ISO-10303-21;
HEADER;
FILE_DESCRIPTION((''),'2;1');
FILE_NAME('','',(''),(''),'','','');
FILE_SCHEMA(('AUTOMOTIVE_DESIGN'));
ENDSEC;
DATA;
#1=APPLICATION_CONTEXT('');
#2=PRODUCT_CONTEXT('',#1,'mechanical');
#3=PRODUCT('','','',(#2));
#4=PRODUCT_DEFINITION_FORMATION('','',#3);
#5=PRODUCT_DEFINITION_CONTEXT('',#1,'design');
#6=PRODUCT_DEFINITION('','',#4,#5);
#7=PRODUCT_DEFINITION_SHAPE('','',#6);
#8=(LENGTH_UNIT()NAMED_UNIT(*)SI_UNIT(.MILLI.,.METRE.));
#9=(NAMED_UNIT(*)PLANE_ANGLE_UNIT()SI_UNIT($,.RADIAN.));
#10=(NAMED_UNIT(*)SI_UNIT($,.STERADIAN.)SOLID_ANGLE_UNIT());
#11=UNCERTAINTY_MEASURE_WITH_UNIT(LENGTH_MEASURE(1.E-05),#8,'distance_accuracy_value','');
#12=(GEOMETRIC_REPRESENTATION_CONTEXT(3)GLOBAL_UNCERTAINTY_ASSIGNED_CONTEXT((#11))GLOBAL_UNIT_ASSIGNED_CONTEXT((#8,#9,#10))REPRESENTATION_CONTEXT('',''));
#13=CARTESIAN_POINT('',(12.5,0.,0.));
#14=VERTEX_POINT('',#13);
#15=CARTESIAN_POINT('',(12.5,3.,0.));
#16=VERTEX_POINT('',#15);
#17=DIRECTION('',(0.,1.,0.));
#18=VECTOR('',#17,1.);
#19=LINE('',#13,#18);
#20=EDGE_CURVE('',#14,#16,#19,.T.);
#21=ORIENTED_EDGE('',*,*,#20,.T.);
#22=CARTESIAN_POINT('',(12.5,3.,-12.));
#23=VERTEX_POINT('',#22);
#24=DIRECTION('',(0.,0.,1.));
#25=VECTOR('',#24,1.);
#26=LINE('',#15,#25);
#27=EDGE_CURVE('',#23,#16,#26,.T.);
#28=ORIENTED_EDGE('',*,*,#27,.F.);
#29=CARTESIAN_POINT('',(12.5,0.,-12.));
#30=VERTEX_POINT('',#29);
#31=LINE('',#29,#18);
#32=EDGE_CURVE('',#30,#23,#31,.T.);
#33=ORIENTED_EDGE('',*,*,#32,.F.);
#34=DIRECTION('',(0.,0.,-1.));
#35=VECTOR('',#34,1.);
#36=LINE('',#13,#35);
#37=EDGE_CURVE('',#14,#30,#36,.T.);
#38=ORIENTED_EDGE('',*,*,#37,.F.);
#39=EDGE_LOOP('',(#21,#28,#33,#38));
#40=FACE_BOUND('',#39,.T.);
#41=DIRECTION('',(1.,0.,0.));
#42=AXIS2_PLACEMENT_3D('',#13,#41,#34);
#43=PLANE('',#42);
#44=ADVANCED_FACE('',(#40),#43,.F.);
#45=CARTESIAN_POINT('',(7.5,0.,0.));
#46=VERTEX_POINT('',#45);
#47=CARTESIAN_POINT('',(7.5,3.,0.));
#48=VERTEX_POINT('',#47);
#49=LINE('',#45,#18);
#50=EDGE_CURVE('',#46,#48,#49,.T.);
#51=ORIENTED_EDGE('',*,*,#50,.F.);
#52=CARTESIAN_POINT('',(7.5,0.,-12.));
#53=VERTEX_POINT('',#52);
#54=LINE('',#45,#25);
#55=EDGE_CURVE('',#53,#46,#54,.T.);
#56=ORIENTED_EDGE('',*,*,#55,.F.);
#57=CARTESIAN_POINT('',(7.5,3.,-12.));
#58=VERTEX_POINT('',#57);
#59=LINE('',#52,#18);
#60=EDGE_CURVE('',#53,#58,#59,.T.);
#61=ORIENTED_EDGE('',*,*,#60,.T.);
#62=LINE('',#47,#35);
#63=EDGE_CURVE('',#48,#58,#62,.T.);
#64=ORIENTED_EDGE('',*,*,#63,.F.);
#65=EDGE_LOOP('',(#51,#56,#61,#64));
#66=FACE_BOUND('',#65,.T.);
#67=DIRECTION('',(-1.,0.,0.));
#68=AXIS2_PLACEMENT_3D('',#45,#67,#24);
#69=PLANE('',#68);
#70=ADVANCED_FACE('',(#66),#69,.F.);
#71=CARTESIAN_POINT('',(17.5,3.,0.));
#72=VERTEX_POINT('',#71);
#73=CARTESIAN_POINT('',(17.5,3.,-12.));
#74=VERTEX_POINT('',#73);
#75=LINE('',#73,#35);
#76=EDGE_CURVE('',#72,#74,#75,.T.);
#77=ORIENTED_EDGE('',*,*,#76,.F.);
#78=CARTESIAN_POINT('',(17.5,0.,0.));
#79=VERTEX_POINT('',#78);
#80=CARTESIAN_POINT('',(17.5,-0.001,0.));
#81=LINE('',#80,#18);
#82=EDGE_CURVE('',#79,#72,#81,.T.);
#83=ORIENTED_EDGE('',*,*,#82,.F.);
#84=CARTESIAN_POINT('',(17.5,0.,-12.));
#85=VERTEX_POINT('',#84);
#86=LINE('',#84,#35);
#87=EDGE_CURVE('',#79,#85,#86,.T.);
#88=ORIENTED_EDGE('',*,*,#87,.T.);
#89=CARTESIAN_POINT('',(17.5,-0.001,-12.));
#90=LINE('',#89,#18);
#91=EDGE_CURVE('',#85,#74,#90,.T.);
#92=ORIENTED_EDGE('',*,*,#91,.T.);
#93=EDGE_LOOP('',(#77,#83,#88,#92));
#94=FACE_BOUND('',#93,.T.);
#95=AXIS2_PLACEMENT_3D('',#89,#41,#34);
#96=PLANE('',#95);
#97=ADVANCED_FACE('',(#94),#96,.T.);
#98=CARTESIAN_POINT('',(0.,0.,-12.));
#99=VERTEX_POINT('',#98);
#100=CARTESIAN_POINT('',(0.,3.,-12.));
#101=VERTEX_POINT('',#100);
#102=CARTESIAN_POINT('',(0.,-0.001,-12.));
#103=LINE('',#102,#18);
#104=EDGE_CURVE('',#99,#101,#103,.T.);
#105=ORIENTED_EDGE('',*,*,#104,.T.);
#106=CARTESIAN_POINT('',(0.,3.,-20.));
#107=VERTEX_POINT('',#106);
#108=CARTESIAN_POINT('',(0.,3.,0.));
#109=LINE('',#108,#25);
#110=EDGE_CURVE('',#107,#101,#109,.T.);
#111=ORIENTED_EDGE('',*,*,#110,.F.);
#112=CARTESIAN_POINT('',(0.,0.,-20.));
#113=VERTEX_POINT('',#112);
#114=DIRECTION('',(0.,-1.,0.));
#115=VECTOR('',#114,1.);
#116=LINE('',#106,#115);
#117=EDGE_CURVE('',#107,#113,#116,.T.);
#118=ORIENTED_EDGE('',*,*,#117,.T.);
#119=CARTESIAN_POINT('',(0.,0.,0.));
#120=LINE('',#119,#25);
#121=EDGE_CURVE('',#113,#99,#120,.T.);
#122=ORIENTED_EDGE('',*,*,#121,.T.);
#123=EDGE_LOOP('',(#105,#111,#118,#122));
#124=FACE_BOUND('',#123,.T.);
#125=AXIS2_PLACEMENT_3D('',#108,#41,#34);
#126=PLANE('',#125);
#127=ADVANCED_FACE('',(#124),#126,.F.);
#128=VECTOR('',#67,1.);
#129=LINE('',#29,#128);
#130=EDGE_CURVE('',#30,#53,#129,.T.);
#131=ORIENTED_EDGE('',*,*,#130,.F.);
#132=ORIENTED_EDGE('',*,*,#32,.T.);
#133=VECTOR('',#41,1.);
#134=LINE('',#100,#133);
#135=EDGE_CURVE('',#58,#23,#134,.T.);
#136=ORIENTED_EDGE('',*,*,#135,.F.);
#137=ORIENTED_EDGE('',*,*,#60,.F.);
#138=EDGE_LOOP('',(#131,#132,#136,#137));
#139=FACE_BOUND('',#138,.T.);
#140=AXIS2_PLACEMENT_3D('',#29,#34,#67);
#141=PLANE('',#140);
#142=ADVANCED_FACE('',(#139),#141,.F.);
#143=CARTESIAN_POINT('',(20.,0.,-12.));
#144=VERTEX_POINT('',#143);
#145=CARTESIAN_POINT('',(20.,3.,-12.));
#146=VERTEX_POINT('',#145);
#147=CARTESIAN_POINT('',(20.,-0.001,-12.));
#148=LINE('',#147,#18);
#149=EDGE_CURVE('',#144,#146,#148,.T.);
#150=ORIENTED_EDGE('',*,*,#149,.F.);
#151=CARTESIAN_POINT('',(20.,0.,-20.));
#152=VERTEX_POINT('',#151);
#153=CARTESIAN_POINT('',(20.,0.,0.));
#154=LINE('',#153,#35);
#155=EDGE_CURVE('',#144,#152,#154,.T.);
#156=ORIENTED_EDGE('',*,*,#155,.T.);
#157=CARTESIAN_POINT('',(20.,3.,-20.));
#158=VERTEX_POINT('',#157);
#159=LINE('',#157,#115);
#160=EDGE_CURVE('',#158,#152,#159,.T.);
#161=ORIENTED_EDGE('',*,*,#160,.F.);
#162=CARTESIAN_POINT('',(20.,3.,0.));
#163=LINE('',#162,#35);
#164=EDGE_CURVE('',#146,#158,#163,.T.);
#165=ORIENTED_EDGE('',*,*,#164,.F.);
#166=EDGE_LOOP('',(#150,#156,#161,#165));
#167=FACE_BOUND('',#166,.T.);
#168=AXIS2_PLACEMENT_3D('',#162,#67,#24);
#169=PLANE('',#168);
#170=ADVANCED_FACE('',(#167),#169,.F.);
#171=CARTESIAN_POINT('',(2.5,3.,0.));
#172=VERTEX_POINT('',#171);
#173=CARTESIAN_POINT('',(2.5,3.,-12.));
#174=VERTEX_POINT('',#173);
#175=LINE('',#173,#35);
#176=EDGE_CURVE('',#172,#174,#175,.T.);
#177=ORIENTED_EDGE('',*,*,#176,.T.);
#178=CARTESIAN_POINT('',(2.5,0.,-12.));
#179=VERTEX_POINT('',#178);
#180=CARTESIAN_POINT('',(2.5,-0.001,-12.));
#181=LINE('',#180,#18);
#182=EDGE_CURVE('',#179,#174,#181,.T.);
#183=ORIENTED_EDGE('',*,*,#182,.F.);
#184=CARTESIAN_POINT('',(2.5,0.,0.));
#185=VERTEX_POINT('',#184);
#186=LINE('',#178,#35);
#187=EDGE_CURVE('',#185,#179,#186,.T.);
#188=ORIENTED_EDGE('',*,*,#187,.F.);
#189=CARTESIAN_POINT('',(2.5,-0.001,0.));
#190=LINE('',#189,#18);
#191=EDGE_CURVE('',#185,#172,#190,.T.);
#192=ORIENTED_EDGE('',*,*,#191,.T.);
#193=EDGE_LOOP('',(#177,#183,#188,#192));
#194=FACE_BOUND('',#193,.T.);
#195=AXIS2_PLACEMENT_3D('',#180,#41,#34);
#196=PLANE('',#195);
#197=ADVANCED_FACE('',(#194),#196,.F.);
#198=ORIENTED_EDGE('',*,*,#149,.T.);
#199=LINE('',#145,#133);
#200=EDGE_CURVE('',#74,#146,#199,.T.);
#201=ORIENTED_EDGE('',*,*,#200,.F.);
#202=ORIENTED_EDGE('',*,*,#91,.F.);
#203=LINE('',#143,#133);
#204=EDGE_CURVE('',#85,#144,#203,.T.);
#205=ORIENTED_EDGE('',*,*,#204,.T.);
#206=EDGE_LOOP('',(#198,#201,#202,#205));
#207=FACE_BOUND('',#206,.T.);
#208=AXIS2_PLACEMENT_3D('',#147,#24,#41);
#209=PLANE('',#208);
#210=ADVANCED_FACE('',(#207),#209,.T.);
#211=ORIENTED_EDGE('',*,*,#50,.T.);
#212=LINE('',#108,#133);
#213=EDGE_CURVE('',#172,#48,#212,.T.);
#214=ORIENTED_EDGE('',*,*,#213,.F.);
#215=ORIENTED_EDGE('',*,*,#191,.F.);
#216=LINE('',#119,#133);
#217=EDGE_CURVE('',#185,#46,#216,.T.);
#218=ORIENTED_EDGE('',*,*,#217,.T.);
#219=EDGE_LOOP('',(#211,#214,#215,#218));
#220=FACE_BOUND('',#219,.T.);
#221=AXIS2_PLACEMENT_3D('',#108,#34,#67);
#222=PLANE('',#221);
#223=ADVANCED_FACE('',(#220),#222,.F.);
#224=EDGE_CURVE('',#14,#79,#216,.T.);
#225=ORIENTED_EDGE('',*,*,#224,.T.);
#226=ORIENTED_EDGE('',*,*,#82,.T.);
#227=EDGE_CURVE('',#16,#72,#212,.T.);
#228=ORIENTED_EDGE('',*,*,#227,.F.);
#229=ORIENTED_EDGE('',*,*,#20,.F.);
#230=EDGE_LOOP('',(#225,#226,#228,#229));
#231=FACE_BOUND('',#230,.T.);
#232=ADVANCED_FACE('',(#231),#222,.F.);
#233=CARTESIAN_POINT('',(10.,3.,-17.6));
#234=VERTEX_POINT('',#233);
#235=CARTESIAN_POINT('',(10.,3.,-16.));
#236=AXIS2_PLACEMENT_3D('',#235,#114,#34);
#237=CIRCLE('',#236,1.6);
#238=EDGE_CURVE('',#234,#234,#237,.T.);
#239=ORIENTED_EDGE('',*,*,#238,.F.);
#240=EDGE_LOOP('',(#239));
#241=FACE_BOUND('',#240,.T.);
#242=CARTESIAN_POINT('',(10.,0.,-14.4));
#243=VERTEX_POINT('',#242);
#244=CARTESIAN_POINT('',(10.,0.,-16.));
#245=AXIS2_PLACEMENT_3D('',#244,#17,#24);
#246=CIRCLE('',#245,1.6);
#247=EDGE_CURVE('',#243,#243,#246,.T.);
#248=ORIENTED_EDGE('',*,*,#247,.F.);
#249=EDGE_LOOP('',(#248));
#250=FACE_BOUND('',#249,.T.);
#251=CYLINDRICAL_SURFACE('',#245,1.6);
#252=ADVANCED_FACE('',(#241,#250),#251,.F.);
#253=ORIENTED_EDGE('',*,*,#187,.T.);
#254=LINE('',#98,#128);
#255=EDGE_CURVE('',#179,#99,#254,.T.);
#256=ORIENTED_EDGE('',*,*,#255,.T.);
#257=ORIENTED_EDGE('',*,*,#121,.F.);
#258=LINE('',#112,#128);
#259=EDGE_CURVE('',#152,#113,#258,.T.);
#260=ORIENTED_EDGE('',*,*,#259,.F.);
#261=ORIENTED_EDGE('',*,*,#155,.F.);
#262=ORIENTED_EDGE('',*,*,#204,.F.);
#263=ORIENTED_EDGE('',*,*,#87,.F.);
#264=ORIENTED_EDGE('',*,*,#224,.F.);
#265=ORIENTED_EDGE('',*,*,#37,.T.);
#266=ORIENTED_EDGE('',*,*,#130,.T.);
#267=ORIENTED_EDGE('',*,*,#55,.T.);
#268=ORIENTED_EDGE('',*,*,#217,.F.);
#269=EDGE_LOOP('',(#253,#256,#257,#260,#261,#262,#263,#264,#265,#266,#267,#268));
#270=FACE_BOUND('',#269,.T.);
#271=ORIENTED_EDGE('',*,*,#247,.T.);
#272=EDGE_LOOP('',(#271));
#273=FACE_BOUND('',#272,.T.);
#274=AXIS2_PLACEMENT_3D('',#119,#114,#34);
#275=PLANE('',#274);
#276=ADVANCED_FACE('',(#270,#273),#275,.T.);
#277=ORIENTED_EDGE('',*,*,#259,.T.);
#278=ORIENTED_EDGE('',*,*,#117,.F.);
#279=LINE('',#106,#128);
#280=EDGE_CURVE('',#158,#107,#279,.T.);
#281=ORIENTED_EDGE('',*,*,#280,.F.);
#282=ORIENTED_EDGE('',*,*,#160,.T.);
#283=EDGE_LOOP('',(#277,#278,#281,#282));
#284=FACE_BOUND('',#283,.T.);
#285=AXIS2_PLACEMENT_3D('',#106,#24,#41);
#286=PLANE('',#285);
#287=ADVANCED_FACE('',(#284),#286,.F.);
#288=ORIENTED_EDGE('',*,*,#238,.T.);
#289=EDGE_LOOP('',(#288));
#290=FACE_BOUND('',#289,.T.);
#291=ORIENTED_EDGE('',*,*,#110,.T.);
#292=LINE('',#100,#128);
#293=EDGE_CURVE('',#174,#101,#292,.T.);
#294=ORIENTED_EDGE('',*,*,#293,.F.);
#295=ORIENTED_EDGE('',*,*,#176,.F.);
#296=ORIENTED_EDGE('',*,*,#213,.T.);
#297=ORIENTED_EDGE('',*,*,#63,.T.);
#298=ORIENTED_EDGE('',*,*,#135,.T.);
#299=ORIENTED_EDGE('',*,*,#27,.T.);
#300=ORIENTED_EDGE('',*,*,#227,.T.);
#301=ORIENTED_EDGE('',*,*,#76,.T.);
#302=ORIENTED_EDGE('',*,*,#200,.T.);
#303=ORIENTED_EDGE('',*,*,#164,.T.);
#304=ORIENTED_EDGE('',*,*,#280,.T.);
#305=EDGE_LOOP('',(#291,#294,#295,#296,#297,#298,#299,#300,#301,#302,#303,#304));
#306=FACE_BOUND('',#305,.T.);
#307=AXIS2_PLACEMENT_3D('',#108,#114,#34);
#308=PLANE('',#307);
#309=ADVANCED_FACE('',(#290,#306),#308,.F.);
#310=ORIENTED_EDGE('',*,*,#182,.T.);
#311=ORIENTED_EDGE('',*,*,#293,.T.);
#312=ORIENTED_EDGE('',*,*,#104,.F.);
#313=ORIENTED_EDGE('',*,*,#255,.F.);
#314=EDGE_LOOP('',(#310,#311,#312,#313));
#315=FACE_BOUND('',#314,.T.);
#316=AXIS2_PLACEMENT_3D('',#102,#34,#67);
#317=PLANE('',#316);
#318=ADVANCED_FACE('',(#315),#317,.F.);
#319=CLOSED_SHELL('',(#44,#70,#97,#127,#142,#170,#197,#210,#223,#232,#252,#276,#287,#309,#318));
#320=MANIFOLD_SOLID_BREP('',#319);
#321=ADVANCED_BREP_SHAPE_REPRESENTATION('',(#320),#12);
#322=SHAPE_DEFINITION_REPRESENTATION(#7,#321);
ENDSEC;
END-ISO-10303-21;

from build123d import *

# Parameters (mm, degrees)
SKETCH1_W               = 20
SKETCH1_H               = 20
BOSS_EXTRUDE1_DEPTH     = 3
SKETCH2_W               = 2.5
SKETCH2_H               = 12
CUT_EXTRUDE1_DEPTH      = 3
SKETCH3_R               = 1.6
CUT_EXTRUDE2_DEPTH      = 1
CUT_EXTRUDE2_DEPTH_BACK = 4
SKETCH4_W               = 5
SKETCH4_H               = 12
CUT_EXTRUDE3_DEPTH      = 1
CUT_EXTRUDE3_DEPTH_BACK = 4


with BuildPart() as part:
    # Sketch1 → Boss-Extrude1 (new body)
    with BuildSketch(Plane(origin=(0, 0, 0), x_dir=(1, 0, 0), z_dir=(0, 1, 0))):
        with Locations((10, 10)):
            Rectangle(SKETCH1_W, SKETCH1_H)
    extrude(amount=BOSS_EXTRUDE1_DEPTH)

    # Sketch2 → Cut-Extrude1 (cut)
    with BuildSketch(Plane(origin=(0, 3, 0), x_dir=(1, 0, 0), z_dir=(0, 1, 0))):
        with Locations((1.25, 6)):
            Rectangle(SKETCH2_W, SKETCH2_H)
    cut_extrude1 = extrude(amount=-CUT_EXTRUDE1_DEPTH, mode=Mode.SUBTRACT)

    # Mirror1: Cut-Extrude1 across plane
    add(cut_extrude1.mirror(Plane.ZY.offset(-10)), mode=Mode.SUBTRACT)

    # Sketch3 → Cut-Extrude2 (cut, two sides)
    with BuildSketch(Plane(origin=(0, 3, 0), x_dir=(1, 0, 0), z_dir=(0, 1, 0))) as cut_extrude2_sk:
        with Locations((10, 16)):
            Circle(SKETCH3_R)
    extrude(amount=CUT_EXTRUDE2_DEPTH, mode=Mode.SUBTRACT)
    extrude(cut_extrude2_sk.sketch, amount=-CUT_EXTRUDE2_DEPTH_BACK, mode=Mode.SUBTRACT)

    # Sketch4 → Cut-Extrude3 (cut, two sides)
    with BuildSketch(Plane(origin=(0, 3, 0), x_dir=(1, 0, 0), z_dir=(0, 1, 0))) as cut_extrude3_sk:
        with Locations((10, 6)):
            Rectangle(SKETCH4_W, SKETCH4_H)
    extrude(amount=CUT_EXTRUDE3_DEPTH, mode=Mode.SUBTRACT)
    extrude(cut_extrude3_sk.sketch, amount=-CUT_EXTRUDE3_DEPTH_BACK, mode=Mode.SUBTRACT)


solid = part.part
